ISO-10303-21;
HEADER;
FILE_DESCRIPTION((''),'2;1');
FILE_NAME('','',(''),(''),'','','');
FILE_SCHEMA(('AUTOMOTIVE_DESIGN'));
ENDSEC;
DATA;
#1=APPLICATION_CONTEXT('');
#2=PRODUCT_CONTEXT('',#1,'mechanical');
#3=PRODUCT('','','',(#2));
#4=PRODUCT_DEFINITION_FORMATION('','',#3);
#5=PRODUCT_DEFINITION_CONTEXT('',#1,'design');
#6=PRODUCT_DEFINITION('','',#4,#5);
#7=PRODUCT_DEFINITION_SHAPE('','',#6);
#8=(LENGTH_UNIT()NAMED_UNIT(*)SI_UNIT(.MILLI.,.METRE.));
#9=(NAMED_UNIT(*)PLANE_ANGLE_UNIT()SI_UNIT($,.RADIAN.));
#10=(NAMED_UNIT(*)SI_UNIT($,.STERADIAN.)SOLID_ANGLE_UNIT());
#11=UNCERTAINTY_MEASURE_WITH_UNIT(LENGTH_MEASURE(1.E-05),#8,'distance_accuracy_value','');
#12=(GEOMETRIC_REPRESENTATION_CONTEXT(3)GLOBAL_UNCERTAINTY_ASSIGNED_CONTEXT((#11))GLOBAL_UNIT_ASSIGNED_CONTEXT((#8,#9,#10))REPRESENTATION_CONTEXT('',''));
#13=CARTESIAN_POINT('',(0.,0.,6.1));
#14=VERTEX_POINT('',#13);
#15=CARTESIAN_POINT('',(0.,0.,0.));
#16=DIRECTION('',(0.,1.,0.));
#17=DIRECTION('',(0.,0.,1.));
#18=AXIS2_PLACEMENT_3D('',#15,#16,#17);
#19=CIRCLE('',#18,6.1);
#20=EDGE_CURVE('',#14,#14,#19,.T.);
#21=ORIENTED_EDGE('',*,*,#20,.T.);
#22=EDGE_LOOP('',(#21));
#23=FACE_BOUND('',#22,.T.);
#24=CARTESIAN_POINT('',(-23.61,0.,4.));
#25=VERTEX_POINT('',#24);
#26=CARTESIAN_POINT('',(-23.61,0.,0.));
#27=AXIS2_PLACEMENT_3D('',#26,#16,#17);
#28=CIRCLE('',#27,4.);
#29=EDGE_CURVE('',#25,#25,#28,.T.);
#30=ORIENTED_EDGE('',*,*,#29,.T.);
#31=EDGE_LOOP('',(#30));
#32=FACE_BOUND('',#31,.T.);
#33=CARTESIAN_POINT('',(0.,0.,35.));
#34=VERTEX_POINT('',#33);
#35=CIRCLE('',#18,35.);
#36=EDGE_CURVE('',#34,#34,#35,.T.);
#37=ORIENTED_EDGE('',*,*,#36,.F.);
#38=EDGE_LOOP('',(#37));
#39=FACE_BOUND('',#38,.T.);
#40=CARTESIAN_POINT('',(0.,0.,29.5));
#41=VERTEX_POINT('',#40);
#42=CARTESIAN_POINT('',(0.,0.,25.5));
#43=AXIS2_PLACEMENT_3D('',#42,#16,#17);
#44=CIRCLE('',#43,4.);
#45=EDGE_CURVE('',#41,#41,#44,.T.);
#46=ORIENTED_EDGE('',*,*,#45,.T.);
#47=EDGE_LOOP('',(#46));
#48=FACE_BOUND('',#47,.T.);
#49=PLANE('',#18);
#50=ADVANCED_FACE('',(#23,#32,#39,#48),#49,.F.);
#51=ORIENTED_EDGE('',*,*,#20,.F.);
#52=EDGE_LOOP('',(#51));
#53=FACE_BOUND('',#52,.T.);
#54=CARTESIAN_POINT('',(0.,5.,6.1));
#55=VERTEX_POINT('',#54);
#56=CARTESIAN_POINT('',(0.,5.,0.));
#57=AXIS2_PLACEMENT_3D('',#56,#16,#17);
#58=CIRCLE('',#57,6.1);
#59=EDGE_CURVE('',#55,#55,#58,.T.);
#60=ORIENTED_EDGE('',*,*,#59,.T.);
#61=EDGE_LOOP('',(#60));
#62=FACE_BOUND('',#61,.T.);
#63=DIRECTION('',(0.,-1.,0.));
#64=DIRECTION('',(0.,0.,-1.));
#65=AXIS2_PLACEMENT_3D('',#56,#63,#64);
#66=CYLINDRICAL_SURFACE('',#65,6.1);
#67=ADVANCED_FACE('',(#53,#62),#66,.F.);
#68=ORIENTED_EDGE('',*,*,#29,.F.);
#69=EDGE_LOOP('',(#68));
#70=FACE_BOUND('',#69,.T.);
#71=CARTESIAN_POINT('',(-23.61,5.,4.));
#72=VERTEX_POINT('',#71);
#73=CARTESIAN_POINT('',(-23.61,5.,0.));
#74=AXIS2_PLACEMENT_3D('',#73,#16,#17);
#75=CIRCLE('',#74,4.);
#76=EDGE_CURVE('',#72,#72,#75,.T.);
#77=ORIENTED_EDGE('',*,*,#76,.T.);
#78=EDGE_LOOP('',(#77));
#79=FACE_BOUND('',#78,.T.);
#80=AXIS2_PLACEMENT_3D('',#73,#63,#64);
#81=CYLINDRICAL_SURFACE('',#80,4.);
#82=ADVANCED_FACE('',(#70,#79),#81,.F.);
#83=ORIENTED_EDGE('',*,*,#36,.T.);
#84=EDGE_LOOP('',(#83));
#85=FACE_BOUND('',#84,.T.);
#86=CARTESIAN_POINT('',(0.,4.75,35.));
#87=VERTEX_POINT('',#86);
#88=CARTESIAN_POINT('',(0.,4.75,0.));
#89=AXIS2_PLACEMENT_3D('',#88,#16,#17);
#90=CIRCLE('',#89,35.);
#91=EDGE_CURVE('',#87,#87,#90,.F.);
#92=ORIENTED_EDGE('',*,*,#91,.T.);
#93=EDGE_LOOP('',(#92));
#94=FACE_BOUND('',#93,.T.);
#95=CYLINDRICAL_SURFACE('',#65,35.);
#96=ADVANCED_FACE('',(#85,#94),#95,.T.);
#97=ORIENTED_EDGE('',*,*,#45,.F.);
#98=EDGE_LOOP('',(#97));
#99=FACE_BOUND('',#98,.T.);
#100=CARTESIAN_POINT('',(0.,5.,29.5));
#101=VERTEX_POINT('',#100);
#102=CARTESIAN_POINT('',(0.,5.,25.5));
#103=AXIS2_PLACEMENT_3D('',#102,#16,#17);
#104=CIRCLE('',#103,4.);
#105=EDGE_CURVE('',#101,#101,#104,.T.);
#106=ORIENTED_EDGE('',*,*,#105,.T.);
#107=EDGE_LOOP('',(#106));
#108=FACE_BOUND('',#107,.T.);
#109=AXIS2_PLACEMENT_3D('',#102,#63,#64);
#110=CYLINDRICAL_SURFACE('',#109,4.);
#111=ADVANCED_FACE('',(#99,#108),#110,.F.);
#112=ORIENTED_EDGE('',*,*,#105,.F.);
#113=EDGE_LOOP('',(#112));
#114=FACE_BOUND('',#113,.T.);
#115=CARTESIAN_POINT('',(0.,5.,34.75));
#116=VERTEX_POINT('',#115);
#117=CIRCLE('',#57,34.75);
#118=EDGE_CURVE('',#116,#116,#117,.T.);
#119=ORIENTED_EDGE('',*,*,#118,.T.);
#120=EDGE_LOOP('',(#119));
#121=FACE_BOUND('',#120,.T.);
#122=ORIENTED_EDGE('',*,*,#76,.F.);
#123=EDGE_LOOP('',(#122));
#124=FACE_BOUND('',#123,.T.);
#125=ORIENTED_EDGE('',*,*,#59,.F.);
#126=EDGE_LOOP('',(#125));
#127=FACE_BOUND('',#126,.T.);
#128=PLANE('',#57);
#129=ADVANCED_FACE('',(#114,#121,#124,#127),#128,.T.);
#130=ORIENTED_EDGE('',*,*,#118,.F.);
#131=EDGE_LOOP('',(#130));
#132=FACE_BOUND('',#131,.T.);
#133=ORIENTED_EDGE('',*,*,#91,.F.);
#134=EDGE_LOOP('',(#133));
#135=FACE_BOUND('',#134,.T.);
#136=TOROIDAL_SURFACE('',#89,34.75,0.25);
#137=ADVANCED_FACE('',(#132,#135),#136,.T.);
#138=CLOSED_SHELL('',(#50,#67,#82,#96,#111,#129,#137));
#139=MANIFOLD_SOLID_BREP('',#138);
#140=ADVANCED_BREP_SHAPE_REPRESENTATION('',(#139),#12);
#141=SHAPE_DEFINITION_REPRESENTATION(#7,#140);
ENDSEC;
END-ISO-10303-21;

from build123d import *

# Parameters (mm, degrees)
SKETCH1_R           = 35
SKETCH1_R_2         = 6.1
SKETCH1_R_3         = 4
BOSS_EXTRUDE2_DEPTH = 5
FILLET1_R           = 0.25


with BuildPart() as part:
    # Sketch1 → Boss-Extrude2 (new body)
    with BuildSketch(Plane(origin=(0, 0, 0), x_dir=(1, 0, 0), z_dir=(0, 1, 0))):
        Circle(SKETCH1_R)
        Circle(SKETCH1_R_2, mode=Mode.SUBTRACT)
        with Locations((-23.61, 0)):
            Circle(SKETCH1_R_3, mode=Mode.SUBTRACT)
        with Locations((0, -25.5)):
            Circle(SKETCH1_R_3, mode=Mode.SUBTRACT)
    extrude(amount=BOSS_EXTRUDE2_DEPTH)

    # Fillet1
    fillet1_edges = [part.edges().sort_by_distance(p)[0] for p in [
        (-35, 5, 0),
    ]]
    fillet(fillet1_edges, radius=FILLET1_R)


solid = part.part
